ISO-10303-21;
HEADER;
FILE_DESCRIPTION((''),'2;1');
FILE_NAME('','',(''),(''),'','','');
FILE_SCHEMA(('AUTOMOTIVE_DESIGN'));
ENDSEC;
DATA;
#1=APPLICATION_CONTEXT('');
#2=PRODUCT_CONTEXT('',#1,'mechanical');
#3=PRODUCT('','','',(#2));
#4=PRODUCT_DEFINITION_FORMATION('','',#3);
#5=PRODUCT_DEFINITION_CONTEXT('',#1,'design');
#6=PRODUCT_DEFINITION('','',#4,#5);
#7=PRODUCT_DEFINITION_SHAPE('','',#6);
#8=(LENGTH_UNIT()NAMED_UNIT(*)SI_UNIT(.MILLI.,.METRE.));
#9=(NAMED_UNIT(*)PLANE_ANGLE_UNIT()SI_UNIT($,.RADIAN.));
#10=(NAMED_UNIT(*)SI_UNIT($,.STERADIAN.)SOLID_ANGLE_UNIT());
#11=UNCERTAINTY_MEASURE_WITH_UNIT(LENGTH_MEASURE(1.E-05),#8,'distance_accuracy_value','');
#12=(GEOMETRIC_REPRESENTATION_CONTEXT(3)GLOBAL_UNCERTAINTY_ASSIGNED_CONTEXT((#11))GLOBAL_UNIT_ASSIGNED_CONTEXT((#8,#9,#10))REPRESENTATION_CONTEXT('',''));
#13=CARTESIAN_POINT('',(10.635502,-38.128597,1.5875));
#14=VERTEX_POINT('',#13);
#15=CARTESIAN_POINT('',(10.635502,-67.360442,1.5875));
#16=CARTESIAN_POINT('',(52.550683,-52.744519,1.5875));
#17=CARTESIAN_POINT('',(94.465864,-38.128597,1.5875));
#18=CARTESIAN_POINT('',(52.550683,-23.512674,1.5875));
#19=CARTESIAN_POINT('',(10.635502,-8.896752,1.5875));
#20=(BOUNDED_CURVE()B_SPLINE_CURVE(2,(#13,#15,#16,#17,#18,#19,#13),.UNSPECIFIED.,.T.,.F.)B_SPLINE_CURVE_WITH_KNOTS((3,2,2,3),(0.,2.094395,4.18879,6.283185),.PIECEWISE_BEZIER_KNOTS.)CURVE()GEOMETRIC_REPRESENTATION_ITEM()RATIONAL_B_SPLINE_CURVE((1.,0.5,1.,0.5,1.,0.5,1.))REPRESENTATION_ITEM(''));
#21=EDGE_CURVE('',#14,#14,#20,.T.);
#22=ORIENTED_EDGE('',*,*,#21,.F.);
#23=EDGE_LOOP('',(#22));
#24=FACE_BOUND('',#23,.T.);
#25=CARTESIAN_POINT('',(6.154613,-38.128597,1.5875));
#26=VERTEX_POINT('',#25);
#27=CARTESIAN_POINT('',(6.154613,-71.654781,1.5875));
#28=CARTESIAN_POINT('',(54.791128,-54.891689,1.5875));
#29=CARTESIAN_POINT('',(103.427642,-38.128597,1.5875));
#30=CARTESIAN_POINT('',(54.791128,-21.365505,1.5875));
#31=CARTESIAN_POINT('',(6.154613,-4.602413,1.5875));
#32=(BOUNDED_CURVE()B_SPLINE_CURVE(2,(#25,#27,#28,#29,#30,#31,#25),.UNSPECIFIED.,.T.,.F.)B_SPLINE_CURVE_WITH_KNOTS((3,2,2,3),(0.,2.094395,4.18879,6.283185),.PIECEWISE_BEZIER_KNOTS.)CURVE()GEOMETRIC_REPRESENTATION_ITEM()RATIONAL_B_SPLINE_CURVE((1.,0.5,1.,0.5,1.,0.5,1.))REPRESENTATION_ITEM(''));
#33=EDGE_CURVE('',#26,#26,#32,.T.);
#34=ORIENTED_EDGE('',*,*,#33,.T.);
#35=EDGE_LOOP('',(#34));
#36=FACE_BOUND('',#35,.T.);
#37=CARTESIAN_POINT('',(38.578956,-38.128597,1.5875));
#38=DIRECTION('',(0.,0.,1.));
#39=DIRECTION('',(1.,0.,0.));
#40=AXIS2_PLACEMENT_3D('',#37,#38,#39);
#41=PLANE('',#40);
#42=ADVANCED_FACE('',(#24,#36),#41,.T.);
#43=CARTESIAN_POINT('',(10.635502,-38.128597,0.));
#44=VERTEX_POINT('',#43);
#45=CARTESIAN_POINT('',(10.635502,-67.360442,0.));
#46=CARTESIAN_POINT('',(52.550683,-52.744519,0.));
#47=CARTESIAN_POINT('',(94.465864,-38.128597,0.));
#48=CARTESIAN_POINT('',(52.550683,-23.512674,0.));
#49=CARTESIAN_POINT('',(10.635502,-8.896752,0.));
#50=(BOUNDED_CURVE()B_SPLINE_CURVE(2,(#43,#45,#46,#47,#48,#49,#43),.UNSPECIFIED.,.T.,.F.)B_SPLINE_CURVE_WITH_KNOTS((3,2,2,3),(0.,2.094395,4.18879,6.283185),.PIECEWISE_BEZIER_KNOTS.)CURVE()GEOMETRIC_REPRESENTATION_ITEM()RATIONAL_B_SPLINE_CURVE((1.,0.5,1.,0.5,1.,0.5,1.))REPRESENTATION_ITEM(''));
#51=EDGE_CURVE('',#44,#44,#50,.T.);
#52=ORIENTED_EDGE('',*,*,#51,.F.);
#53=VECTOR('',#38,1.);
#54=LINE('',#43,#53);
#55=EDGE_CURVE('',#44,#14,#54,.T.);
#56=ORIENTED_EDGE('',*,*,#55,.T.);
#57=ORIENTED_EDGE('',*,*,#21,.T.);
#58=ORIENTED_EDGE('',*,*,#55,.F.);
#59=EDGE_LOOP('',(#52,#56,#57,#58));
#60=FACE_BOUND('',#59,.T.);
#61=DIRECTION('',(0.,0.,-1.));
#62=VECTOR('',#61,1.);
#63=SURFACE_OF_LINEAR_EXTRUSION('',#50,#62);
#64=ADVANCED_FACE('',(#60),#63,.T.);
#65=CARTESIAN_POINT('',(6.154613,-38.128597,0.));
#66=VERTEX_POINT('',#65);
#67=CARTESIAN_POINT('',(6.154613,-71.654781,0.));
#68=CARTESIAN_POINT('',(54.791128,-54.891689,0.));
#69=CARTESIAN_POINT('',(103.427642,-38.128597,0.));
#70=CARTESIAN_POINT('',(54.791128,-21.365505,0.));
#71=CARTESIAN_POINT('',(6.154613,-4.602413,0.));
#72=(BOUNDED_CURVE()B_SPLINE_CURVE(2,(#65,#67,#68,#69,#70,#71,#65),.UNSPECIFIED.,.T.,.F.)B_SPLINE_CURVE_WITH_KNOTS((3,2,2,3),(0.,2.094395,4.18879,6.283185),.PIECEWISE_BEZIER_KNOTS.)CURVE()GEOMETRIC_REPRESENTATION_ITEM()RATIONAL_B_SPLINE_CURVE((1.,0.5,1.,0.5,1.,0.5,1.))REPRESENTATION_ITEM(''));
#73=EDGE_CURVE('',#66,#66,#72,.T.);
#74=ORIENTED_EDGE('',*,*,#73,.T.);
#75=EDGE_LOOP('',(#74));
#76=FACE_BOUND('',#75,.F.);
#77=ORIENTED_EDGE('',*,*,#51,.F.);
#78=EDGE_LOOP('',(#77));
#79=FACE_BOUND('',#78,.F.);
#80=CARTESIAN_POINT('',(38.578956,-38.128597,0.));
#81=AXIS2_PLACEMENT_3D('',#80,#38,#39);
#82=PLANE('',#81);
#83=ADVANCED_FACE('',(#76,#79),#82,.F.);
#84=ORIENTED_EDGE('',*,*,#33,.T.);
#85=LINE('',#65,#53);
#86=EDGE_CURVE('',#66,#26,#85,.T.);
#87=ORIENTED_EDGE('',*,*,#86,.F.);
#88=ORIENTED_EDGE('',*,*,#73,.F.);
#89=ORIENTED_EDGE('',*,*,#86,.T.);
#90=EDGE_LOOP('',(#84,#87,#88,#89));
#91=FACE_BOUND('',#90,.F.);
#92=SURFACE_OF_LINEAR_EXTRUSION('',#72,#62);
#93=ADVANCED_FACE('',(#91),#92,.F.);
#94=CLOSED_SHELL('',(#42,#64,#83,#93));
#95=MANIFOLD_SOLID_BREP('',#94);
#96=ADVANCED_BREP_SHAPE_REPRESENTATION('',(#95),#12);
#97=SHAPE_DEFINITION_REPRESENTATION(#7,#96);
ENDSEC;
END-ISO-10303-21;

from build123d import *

# Parameters (mm, degrees)
F1_DEPTH = 1.5875


with BuildPart() as f1:
    # F0 (on Top) → F1 (new body)
    with BuildSketch(Plane.XY):
        with BuildLine():
            add(Edge.make_bspline(
                [(6.154613, -38.128597), (6.154613, -71.654781), (54.791128, -54.891689), (103.427642, -38.128597), (54.791128, -21.365505), (6.154613, -4.602413), (6.154613, -38.128597)],
                knots=[0, 0, 0, 2.094395, 2.094395, 4.18879, 4.18879, 6.283185, 6.283185, 6.283185], degree=2, weights=[1, 0.5, 1, 0.5, 1, 0.5, 1]))
        make_face()
        with BuildLine():
            add(Edge.make_bspline(
                [(10.635502, -38.128597), (10.635502, -67.360442), (52.550683, -52.744519), (94.465864, -38.128597), (52.550683, -23.512674), (10.635502, -8.896752), (10.635502, -38.128597)],
                knots=[0, 0, 0, 2.094395, 2.094395, 4.18879, 4.18879, 6.283185, 6.283185, 6.283185], degree=2, weights=[1, 0.5, 1, 0.5, 1, 0.5, 1]))
        make_face(mode=Mode.SUBTRACT)
    extrude(amount=F1_DEPTH)


solid = f1.part
